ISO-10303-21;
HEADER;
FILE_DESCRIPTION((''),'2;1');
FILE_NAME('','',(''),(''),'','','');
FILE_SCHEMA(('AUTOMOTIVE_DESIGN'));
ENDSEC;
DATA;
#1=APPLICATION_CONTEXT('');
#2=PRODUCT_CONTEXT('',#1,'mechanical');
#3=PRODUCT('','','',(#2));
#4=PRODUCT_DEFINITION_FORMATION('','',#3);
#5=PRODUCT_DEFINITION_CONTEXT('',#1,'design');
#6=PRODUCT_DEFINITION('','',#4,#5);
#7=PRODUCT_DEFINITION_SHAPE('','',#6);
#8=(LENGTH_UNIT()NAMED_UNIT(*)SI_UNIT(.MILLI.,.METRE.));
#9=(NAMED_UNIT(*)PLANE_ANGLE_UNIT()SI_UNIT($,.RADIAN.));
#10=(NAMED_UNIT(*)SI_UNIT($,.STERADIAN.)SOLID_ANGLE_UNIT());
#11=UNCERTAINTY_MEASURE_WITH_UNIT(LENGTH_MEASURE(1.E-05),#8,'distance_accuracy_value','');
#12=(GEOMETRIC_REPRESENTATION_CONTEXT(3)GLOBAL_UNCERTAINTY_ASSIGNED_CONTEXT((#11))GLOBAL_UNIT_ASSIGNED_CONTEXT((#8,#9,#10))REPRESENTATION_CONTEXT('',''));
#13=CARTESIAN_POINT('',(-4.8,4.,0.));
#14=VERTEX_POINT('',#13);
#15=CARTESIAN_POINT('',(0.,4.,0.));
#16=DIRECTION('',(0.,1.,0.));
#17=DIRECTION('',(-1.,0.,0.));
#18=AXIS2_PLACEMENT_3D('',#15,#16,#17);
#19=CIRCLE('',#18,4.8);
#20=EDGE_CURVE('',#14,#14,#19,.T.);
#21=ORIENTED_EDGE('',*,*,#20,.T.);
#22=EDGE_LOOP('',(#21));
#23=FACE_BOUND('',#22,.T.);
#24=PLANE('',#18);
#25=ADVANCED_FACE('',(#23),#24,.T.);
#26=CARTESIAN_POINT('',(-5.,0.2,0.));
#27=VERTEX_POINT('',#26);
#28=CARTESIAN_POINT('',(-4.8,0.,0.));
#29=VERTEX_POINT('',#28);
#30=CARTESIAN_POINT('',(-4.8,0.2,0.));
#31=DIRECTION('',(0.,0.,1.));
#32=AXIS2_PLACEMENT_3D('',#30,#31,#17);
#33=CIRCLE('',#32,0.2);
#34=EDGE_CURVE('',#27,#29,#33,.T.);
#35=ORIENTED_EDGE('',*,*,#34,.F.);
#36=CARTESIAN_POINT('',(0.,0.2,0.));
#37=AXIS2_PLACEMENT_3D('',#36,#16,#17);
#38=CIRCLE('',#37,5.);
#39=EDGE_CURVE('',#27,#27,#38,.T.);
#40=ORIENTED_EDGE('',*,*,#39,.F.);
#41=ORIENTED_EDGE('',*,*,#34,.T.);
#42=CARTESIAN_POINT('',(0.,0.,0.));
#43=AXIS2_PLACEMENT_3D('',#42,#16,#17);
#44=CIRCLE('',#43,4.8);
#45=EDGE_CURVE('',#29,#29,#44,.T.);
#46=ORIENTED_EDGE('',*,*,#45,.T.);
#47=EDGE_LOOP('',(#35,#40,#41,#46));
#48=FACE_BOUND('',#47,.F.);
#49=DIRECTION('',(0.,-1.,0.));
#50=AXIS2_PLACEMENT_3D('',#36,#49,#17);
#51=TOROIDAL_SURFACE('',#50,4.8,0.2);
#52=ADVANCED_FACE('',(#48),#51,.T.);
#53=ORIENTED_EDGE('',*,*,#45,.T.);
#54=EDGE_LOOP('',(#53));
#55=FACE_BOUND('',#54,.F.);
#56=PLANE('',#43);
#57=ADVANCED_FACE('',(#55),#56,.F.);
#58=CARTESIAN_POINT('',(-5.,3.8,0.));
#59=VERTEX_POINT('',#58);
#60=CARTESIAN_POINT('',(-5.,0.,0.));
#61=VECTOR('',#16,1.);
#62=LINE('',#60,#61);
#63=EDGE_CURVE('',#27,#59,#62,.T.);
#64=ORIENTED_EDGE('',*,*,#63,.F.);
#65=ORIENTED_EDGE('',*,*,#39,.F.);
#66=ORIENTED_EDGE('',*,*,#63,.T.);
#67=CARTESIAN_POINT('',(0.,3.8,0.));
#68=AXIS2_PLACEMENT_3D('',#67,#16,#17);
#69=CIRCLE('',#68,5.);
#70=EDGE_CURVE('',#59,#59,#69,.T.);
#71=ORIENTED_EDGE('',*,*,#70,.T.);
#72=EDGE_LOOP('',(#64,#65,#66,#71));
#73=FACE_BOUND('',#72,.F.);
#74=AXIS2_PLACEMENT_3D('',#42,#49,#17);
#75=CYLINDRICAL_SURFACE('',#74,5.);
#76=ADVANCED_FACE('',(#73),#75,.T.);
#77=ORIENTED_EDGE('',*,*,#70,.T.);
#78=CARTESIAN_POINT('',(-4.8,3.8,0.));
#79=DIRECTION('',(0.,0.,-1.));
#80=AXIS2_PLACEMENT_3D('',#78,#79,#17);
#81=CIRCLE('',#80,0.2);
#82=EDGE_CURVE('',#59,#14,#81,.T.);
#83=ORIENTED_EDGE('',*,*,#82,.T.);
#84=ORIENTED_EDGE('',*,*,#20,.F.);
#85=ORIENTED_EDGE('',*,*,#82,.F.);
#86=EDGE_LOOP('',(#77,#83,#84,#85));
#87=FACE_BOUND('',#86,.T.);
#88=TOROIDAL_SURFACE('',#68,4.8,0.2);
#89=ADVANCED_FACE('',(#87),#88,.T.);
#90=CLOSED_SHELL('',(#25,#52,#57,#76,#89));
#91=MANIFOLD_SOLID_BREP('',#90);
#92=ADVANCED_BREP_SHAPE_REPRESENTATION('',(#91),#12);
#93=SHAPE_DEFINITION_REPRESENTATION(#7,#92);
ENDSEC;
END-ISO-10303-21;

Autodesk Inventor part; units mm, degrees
ref_plane "YZ Plane" through (0, 0, 0) normal (1, 0, 0) x (0, 1, 0)
ref_plane "XZ Plane" through (0, 0, 0) normal (0, 1, 0) x (-1, 0, 0)
ref_plane "XY Plane" through (0, 0, 0) normal (0, 0, 1) x (1, 0, 0)
sketch "Sketch1" plane through (0, 0, 0) normal (0, 1, 0) x (-1, 0, 0)
  circle A0 centre (0, 0) radius 5
  dimension "d0" = 10
extrude "Extrusion1" add sketch "Sketch1" along normal blind 4
fillet "Fillet1" radius 0.2 2 edges at (5, 4, 0) (5, 0, 0)
properties part number "COTS_GENERIC_10x4mm_Neodymium_Magnet"
